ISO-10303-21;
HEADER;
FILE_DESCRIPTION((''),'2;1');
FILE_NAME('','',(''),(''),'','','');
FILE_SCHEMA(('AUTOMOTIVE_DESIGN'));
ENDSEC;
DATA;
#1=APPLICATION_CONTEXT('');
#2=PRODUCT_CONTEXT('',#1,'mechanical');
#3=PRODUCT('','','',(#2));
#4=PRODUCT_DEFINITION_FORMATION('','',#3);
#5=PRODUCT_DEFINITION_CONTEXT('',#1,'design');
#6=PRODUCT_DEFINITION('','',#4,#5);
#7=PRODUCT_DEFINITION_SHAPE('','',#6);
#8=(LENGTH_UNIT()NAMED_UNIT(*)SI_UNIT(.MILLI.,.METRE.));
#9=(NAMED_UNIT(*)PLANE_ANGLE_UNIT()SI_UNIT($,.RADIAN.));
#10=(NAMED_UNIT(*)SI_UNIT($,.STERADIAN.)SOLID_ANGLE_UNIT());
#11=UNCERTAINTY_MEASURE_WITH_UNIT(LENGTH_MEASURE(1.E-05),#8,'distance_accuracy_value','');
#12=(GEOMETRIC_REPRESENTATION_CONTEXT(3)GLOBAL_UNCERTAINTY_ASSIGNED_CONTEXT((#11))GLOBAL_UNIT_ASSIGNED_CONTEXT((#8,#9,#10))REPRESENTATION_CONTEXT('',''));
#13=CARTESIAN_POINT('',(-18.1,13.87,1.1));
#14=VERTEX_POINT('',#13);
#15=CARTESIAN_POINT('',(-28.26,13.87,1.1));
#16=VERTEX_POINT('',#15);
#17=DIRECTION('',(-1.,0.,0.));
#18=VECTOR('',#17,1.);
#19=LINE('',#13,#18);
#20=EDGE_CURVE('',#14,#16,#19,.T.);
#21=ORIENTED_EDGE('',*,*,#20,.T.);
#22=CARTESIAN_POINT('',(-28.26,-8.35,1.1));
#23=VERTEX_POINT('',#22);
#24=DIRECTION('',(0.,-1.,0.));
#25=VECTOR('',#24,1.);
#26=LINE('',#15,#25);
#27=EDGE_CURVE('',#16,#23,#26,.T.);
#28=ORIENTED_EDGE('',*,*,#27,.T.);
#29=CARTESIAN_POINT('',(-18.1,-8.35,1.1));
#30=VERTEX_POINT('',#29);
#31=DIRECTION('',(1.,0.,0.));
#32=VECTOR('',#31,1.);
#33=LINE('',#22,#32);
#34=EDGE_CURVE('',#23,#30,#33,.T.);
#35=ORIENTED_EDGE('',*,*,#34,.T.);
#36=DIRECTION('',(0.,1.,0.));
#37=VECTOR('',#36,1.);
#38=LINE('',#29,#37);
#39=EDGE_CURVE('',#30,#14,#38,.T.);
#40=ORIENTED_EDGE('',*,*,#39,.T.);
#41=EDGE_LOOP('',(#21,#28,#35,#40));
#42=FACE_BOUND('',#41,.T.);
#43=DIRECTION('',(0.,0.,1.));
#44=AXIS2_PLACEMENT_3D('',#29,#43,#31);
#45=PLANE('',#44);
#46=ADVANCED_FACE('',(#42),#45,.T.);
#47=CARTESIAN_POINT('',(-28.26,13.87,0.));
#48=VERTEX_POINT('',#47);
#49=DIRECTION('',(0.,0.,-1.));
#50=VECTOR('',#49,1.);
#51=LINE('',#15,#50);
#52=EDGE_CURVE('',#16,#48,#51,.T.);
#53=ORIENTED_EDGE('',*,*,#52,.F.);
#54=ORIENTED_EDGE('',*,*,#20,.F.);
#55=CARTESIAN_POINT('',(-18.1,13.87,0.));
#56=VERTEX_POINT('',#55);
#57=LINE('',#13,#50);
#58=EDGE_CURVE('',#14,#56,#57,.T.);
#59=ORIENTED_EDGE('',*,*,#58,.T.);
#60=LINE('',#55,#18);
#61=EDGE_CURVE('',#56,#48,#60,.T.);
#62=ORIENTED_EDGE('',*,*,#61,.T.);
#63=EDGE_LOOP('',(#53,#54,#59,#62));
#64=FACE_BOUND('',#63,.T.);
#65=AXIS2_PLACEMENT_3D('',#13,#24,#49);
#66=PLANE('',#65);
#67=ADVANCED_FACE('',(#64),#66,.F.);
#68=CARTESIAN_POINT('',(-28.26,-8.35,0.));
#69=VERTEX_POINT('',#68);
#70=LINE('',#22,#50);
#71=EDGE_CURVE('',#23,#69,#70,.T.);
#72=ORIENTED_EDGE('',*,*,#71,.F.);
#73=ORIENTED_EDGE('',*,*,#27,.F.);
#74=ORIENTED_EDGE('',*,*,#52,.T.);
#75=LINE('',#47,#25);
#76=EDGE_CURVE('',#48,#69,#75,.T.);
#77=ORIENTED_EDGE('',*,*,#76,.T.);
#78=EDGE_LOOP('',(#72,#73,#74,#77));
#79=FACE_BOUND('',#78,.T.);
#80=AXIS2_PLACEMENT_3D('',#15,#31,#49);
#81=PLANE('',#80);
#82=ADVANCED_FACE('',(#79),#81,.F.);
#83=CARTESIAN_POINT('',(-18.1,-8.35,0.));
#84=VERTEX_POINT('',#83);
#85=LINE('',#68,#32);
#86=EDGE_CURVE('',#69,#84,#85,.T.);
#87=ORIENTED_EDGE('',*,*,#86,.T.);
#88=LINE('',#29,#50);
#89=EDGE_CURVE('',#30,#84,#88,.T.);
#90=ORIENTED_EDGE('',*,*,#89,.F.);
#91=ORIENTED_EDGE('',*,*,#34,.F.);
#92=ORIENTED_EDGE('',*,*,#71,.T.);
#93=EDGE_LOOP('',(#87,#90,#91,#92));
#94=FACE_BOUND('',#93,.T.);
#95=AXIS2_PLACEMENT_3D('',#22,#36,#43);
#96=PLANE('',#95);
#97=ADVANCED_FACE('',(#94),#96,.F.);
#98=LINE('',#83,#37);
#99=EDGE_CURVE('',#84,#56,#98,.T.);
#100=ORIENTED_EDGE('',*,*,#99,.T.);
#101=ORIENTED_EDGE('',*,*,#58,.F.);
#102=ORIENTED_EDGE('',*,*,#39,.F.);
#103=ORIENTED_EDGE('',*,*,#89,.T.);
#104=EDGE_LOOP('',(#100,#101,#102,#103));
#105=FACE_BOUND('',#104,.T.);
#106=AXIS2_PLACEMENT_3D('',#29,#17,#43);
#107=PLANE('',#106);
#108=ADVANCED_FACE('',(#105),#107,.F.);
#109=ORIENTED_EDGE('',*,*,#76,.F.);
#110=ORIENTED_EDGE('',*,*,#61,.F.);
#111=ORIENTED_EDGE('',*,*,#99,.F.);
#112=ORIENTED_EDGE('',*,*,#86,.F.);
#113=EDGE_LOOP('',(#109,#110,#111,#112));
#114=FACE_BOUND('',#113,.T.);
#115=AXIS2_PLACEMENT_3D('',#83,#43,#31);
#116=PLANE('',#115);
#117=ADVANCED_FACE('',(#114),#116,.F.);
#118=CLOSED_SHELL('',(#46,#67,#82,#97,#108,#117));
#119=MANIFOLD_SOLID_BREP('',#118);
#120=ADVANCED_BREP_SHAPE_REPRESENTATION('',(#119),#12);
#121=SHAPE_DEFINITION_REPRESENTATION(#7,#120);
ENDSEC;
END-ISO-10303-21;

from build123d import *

# Parameters (mm, degrees)
SKETCH1_W      = 10.16
SKETCH1_H      = 22.22
EXTRUDE1_DEPTH = 1.1


with BuildPart() as part:
    # Sketch1 → Extrude1 (new body)
    with BuildSketch(Plane.XY):
        with Locations((-23.18, 2.76)):
            Rectangle(SKETCH1_W, SKETCH1_H)
    extrude(amount=EXTRUDE1_DEPTH)


solid = part.part
